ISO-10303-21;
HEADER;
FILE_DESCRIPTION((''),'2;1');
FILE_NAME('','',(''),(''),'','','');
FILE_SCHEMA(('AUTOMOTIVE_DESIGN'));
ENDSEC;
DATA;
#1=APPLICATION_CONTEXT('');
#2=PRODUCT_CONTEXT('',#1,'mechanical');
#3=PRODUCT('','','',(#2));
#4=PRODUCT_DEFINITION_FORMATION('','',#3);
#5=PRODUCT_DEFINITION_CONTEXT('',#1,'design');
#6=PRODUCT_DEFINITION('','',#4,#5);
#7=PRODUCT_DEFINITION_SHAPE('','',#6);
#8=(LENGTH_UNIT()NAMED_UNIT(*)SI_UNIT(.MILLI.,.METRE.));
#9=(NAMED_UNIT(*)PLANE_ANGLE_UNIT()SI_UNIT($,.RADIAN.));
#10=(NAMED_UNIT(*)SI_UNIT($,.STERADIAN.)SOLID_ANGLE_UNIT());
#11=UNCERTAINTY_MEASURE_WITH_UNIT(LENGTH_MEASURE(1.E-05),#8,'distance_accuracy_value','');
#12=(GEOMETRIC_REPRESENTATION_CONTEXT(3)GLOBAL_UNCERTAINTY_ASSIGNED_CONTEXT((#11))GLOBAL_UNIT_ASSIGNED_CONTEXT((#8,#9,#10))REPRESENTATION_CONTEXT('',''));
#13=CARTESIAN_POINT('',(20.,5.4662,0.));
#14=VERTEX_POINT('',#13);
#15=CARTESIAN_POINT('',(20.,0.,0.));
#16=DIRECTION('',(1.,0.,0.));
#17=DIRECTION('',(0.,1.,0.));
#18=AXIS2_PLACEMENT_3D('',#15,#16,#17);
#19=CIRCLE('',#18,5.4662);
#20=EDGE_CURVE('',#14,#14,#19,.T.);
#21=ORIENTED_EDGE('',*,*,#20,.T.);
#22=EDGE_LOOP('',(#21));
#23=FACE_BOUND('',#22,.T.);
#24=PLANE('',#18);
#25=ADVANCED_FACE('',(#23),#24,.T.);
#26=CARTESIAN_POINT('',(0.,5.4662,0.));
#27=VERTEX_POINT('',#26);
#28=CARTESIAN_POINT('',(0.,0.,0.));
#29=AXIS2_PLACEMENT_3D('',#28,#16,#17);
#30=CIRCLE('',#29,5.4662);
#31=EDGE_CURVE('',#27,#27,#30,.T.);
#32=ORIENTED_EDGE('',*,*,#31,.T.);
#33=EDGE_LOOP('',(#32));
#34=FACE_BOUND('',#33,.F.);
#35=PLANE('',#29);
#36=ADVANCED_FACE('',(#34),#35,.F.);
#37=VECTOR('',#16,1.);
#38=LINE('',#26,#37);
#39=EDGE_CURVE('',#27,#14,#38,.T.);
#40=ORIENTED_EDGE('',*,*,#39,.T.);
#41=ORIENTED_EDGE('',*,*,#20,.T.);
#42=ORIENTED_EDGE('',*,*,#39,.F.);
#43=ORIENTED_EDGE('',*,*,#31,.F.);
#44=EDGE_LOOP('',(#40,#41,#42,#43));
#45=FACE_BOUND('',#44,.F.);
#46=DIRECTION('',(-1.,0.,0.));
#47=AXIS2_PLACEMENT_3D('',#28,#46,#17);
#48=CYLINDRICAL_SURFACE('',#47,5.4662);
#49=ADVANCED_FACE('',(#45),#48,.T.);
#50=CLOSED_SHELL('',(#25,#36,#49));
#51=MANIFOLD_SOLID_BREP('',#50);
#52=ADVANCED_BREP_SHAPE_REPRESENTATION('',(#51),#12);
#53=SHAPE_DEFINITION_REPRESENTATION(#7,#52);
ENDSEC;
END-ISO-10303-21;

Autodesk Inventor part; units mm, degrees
ref_plane "YZ Plane" through (0, 0, 0) normal (1, 0, 0) x (0, 1, 0)
ref_plane "XZ Plane" through (0, 0, 0) normal (0, 1, 0) x (-1, 0, 0)
ref_plane "XY Plane" through (0, 0, 0) normal (0, 0, 1) x (1, 0, 0)
sketch "Sketch1" plane through (0, 0, 0) normal (1, 0, 0) x (0, 1, 0)
  circle A0 centre (0, 0) radius 5.4662
  dimension "d0" = 20
extrude "Extrusion1" add sketch "Sketch1" along normal blind 20
properties part number "Cylinder_simple"
